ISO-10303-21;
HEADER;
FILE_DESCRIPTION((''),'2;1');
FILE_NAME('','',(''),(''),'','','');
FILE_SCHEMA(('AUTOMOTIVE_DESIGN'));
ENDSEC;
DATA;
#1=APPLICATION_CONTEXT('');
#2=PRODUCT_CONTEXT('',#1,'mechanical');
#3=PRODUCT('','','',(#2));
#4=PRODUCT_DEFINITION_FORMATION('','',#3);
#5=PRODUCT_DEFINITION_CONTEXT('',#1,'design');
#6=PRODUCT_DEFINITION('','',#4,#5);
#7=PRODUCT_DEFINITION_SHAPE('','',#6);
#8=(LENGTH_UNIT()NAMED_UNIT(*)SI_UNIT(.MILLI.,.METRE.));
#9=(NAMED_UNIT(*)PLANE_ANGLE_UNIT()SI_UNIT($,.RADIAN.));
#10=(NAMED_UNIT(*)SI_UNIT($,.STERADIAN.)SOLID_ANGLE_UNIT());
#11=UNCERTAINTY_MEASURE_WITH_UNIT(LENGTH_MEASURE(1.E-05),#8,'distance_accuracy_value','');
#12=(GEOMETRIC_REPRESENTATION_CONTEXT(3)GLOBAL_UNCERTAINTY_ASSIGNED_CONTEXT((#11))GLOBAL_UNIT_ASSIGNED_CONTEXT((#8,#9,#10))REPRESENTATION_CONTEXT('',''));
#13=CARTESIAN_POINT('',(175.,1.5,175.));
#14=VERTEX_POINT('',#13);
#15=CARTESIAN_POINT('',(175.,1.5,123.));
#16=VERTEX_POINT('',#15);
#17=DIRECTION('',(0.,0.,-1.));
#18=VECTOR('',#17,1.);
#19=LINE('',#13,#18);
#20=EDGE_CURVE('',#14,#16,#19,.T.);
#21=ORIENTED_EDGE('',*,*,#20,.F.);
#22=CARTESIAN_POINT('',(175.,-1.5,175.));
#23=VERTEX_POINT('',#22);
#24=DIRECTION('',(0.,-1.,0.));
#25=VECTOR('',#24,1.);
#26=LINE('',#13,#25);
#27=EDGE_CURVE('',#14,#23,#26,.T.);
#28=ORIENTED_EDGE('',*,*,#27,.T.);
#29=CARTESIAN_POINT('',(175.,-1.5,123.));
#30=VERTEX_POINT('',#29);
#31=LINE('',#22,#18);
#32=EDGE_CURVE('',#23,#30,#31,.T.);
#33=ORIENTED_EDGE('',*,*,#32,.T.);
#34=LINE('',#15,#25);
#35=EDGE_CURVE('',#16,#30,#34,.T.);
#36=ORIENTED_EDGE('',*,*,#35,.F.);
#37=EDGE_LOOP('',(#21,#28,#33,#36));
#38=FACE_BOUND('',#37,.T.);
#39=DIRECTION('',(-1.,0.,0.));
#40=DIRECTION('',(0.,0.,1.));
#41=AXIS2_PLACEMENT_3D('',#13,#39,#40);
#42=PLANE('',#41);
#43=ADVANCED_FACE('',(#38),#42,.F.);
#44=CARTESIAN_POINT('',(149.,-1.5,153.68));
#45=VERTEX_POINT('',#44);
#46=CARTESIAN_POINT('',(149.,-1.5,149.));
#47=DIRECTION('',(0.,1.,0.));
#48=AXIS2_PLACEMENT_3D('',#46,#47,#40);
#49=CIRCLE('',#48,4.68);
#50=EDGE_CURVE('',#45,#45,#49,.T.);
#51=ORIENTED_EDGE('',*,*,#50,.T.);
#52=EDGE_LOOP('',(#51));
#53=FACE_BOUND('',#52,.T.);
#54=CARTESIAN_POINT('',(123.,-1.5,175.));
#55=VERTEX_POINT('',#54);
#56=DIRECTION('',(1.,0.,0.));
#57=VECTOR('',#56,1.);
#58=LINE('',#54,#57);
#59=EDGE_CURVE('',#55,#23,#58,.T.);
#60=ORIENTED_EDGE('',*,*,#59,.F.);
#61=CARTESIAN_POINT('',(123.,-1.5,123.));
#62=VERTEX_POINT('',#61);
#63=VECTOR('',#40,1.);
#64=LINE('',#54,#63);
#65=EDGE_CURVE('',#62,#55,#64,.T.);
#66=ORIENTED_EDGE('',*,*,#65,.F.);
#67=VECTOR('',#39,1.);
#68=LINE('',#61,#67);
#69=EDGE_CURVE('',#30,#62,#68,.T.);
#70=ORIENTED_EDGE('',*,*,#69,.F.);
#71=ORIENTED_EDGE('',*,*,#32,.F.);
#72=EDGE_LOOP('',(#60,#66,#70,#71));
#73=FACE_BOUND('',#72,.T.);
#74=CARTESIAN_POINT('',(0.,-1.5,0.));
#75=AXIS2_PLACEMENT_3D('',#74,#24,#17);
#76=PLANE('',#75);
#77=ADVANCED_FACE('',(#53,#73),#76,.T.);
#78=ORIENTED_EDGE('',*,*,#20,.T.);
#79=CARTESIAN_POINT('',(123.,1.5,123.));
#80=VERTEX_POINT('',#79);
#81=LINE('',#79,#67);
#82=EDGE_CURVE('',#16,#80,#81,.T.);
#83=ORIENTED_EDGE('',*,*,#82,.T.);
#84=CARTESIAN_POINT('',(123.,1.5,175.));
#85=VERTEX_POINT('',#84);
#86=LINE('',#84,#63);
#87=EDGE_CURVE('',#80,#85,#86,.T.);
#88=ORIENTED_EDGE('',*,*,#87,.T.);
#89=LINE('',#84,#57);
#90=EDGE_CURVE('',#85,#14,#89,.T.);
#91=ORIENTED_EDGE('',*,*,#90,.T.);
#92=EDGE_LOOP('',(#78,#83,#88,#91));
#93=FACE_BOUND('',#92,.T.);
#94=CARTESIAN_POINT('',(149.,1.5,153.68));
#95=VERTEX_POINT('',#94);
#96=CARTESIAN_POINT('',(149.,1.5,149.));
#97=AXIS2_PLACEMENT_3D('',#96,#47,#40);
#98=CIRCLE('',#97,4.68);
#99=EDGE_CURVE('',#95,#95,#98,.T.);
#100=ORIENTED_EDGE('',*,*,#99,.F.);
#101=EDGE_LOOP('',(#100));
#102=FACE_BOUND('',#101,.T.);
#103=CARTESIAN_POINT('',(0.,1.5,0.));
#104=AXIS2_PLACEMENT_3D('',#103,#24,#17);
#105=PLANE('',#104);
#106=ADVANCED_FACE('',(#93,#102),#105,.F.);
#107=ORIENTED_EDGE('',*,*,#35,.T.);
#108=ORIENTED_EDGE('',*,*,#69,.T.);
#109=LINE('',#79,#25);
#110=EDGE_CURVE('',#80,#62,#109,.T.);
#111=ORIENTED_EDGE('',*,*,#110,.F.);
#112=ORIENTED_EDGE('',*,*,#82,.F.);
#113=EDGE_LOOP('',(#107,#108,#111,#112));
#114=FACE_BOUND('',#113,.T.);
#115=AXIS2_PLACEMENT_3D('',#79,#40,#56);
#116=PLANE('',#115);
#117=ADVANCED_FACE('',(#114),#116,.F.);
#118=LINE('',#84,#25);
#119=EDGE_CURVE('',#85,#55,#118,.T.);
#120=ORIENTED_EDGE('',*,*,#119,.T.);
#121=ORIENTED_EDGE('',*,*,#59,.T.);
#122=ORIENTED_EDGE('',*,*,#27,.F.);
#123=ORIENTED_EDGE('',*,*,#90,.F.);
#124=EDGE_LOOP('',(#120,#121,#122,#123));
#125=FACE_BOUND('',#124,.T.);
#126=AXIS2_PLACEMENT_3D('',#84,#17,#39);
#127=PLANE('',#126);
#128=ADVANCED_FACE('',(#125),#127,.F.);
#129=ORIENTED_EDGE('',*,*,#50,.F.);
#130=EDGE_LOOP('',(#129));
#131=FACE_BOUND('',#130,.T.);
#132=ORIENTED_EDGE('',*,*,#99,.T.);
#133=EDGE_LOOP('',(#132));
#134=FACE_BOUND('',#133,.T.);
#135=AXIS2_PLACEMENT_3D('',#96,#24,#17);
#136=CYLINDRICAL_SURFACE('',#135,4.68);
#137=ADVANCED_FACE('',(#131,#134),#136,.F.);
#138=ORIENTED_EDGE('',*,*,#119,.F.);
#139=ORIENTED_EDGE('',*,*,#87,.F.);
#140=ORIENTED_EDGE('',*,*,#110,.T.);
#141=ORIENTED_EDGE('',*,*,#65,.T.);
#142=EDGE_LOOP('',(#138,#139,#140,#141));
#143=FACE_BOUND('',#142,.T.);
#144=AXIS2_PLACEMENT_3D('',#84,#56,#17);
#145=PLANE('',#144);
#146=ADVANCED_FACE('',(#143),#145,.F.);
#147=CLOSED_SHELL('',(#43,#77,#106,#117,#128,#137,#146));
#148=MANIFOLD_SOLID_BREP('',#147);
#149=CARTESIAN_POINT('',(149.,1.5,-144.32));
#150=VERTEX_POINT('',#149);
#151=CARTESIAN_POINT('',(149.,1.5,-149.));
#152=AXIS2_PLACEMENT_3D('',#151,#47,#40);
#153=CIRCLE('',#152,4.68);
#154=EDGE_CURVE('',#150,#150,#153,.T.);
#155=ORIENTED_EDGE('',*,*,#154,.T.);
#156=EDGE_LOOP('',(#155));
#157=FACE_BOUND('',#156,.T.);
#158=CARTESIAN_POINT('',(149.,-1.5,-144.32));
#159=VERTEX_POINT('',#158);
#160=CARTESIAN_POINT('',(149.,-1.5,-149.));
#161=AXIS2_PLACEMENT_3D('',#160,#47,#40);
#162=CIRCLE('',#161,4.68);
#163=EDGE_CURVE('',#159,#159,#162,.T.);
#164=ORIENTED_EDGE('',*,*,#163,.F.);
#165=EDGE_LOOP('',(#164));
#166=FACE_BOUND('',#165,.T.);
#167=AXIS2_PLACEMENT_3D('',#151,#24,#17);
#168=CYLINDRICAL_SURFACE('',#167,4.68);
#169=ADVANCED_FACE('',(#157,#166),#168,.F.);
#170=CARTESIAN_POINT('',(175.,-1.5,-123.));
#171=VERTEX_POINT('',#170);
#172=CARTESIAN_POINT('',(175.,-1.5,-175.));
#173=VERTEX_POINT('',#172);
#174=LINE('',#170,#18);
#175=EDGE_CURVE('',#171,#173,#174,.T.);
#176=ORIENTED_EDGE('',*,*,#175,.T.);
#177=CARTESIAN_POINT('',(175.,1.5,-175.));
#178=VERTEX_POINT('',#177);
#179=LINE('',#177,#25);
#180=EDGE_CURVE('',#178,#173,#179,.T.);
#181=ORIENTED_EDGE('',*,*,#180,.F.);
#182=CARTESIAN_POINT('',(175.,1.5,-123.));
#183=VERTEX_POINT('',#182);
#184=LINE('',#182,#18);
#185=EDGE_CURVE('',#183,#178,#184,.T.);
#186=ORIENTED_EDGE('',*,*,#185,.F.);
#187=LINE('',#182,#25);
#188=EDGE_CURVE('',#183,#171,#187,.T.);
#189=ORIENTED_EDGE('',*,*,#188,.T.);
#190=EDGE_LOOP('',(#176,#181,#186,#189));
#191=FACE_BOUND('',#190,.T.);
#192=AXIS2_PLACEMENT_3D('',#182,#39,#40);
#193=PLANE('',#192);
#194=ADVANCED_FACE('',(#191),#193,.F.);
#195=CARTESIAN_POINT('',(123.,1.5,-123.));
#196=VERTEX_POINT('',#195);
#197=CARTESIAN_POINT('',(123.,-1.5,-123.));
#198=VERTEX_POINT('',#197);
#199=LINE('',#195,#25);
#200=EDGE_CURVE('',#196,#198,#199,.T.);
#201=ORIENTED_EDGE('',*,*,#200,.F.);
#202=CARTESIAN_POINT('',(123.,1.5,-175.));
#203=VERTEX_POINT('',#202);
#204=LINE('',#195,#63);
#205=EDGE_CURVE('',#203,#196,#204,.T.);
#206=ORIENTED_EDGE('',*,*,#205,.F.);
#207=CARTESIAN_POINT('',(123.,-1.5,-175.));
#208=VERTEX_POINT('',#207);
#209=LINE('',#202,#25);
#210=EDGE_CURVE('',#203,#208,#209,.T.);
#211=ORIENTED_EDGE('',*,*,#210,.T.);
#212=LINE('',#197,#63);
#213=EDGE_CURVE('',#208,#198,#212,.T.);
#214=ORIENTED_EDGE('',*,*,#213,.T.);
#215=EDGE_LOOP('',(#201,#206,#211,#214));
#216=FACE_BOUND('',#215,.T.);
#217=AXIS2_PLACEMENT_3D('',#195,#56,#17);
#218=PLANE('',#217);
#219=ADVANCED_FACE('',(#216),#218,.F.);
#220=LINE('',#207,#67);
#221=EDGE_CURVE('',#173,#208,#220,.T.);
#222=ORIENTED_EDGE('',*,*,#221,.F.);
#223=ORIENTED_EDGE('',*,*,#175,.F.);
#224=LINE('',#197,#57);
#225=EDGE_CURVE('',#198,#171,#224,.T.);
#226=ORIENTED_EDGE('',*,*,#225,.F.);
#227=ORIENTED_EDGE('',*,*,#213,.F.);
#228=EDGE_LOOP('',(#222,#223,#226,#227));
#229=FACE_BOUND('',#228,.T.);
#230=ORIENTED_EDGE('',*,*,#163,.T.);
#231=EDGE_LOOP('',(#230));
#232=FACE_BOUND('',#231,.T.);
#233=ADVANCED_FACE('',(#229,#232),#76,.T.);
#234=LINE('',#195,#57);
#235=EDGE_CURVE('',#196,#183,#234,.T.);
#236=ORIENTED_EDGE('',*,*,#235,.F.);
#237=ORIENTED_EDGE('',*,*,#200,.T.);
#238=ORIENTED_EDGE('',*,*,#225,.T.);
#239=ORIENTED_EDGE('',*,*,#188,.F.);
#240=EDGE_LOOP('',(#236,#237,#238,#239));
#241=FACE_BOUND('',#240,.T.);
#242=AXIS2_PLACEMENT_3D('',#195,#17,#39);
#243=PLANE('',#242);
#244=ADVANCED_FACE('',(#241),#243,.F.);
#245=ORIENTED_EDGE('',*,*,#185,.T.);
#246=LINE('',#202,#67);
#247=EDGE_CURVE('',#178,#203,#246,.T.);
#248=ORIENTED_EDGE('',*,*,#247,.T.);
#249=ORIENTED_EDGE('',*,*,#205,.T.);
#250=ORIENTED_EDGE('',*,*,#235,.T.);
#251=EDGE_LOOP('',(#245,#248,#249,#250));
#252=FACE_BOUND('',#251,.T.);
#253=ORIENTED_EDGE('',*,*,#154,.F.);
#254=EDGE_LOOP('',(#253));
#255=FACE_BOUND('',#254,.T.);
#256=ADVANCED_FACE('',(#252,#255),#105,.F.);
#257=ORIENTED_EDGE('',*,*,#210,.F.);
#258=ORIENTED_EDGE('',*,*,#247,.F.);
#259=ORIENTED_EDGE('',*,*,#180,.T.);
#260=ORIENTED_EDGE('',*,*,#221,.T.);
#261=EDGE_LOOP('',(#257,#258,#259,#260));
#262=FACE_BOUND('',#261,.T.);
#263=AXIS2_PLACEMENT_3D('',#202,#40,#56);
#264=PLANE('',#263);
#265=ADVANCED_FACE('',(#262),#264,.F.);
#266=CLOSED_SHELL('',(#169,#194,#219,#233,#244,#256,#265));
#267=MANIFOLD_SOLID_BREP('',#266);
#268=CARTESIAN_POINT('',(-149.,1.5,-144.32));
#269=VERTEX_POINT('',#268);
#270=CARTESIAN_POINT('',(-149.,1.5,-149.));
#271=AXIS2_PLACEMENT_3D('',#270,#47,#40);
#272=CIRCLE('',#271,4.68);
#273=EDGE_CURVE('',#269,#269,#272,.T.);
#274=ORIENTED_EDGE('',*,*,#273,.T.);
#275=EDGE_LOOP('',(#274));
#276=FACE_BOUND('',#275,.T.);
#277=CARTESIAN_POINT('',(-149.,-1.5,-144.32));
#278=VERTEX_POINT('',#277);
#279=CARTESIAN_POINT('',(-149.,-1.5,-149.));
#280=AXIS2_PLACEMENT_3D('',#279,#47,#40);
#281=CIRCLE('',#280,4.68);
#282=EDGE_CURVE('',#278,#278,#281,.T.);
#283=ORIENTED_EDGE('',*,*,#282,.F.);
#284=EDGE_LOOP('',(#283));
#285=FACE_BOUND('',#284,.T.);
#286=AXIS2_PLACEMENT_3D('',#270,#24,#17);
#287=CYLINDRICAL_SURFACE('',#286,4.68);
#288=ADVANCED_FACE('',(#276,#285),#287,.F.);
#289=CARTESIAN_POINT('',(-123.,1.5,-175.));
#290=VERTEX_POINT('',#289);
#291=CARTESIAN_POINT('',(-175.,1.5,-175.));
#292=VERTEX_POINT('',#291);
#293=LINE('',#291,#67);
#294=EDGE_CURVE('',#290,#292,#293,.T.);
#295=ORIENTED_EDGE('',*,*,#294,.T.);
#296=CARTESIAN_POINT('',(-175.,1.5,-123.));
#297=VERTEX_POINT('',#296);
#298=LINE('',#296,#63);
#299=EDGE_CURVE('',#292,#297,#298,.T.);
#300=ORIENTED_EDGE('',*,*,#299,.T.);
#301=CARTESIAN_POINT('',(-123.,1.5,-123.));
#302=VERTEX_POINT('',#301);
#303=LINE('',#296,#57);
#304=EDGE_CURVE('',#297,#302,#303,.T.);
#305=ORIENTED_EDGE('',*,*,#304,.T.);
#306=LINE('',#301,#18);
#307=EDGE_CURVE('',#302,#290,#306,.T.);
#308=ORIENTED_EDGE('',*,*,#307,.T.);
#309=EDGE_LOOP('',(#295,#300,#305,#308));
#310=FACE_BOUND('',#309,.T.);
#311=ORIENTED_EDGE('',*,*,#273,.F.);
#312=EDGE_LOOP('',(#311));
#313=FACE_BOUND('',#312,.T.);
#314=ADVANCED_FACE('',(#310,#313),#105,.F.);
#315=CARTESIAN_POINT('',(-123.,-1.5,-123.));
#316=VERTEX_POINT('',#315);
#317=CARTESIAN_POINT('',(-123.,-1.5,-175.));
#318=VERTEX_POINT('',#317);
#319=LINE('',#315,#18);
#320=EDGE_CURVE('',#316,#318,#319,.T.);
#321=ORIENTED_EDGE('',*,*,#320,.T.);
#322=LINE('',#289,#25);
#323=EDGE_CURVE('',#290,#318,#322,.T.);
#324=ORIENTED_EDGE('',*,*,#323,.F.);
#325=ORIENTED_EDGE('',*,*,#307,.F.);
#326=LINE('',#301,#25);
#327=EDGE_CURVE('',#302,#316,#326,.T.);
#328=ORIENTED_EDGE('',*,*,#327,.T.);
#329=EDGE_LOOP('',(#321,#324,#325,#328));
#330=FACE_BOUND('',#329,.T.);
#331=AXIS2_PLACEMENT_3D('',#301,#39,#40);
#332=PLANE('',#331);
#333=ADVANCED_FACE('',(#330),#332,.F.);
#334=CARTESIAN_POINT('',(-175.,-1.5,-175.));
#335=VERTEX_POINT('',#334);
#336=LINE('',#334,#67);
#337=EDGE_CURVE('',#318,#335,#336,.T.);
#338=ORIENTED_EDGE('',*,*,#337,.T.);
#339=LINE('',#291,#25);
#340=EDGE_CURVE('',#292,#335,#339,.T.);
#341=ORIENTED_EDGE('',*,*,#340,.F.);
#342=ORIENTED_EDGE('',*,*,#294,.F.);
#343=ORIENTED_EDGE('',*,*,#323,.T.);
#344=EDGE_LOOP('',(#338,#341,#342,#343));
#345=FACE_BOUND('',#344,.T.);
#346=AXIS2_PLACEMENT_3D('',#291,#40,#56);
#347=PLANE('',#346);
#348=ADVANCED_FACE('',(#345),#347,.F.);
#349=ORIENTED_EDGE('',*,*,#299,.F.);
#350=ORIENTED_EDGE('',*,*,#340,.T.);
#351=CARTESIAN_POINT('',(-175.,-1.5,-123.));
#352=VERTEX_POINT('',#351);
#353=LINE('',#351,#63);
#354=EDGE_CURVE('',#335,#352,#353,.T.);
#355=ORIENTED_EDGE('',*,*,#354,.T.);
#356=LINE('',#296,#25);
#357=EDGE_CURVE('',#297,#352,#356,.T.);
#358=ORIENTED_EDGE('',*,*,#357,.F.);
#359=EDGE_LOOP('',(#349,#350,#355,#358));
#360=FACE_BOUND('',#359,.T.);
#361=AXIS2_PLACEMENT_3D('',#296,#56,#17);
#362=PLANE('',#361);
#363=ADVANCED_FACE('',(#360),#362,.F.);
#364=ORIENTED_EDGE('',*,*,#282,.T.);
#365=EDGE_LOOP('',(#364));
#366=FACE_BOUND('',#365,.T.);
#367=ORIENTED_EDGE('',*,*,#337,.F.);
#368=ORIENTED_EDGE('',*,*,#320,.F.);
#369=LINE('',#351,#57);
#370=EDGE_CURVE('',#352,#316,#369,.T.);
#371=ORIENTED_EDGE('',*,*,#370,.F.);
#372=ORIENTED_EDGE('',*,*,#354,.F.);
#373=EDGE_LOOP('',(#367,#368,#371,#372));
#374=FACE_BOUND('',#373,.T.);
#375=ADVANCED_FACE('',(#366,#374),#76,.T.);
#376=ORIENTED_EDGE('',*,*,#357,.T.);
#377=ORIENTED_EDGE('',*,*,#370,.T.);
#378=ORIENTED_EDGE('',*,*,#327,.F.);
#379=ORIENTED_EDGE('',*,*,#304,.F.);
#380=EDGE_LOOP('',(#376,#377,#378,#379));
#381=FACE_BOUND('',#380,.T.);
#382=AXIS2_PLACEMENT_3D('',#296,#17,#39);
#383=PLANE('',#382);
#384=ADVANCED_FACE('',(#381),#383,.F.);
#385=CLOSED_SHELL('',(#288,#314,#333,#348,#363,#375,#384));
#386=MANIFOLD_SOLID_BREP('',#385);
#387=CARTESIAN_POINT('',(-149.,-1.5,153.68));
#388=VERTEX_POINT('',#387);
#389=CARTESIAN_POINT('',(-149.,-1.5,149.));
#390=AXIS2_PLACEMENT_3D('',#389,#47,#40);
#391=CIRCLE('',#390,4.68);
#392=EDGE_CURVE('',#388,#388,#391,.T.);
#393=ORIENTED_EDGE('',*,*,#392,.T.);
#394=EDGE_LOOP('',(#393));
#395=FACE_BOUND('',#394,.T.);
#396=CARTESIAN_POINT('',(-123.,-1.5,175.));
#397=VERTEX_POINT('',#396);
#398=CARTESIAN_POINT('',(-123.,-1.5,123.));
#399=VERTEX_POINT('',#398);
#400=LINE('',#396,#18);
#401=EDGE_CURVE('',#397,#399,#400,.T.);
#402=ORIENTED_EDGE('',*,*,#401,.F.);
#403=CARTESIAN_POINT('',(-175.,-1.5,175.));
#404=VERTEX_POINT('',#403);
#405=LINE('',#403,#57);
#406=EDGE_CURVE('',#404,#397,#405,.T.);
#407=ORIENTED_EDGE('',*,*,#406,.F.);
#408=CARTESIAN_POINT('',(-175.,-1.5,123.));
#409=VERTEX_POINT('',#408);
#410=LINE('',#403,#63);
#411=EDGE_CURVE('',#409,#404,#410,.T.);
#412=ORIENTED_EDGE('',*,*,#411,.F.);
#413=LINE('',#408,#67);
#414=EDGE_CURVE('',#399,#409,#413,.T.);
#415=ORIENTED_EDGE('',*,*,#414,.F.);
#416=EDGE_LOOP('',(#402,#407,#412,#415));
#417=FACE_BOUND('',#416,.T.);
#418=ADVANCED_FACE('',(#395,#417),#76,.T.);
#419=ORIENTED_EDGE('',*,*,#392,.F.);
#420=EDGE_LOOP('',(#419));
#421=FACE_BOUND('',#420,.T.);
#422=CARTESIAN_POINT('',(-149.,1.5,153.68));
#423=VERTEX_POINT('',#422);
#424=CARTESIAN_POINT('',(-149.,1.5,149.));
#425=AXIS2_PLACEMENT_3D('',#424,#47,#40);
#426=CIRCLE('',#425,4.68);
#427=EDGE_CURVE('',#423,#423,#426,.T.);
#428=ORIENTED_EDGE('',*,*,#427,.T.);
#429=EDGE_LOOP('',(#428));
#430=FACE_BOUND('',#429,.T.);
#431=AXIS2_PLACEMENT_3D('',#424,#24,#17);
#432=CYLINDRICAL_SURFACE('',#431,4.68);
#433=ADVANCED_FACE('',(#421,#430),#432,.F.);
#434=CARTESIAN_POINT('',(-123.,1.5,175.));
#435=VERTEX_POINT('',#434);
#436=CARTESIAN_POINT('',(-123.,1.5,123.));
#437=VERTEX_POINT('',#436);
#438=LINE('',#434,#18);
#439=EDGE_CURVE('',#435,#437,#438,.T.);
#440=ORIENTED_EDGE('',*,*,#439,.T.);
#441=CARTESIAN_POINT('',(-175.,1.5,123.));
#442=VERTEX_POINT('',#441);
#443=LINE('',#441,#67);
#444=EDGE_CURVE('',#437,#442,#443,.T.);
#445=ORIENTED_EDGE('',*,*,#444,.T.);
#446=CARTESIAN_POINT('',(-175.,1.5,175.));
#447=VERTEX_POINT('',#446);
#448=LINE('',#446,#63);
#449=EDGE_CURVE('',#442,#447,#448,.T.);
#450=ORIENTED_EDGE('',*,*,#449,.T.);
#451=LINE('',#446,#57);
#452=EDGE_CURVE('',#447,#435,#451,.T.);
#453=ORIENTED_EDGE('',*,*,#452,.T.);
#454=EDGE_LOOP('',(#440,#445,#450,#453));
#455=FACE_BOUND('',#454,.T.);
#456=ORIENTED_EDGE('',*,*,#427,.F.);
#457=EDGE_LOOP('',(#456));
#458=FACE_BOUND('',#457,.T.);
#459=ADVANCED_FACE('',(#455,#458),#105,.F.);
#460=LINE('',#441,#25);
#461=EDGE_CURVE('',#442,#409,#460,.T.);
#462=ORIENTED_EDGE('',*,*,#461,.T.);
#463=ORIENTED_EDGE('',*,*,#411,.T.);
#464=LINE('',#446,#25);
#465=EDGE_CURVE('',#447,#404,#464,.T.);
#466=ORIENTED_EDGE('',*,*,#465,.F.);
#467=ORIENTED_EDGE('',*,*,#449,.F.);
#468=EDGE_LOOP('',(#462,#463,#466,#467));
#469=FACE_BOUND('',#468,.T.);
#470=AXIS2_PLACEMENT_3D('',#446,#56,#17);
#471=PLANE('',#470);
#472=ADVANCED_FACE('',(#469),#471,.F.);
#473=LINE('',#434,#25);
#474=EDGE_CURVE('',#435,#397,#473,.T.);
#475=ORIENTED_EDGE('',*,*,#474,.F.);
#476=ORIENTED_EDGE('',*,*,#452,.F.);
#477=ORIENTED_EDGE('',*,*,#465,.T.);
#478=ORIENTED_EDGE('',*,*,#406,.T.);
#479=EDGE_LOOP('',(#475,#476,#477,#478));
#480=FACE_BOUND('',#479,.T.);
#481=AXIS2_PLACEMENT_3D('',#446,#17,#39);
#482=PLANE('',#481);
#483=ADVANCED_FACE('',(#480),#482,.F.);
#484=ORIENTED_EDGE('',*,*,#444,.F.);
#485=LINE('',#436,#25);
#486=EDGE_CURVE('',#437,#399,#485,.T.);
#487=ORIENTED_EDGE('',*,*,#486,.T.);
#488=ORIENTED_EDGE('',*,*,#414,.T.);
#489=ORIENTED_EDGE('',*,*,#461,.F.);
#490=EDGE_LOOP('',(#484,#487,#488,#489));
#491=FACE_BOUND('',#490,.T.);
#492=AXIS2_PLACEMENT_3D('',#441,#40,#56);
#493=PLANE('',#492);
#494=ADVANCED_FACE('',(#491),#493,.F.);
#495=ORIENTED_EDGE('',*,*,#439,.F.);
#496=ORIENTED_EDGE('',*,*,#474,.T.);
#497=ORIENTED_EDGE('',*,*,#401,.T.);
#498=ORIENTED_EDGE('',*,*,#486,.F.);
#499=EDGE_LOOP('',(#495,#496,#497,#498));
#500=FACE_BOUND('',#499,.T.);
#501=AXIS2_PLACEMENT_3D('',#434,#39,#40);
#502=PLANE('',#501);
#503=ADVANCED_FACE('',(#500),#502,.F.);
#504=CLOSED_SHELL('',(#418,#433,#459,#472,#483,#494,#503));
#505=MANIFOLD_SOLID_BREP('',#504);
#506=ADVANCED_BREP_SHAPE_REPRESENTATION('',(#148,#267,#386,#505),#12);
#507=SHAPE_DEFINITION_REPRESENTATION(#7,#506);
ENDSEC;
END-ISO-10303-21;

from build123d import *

# Parameters (mm, degrees)
SKETCH1_W                      = 52
SKETCH1_H                      = 52
SKETCH1_R                      = 4.68
BASE_PLATE_CORNER_TABS_DEPTH   = 1.5
BASE_PLATE_CORNER_TABS_2_DEPTH = 1.5
BASE_PLATE_CORNER_TABS_3_DEPTH = 1.5
BASE_PLATE_CORNER_TABS_4_DEPTH = 1.5


with BuildPart() as part:
    # Sketch1 → Base plate corner tabs (new, symmetric)
    with BuildSketch(Plane(origin=(0, 0, 0), x_dir=(1, 0, 0), z_dir=(0, 1, 0))):
        with Locations((149, 149)):
            Rectangle(SKETCH1_W, SKETCH1_H)
        with Locations(Location((149, 149, 0), (0, 0, 270))):
            Circle(SKETCH1_R, mode=Mode.SUBTRACT)
    extrude(amount=BASE_PLATE_CORNER_TABS_DEPTH, both=True)


with BuildPart() as body_2:
    # Sketch1 → Base plate corner tabs 2 (new, symmetric)
    with BuildSketch(Plane(origin=(0, 0, 0), x_dir=(1, 0, 0), z_dir=(0, 1, 0))):
        with Locations((-149, 149)):
            Rectangle(SKETCH1_W, SKETCH1_H)
        with Locations(Location((-149, 149, 0), (0, 0, 270))):
            Circle(SKETCH1_R, mode=Mode.SUBTRACT)
    extrude(amount=BASE_PLATE_CORNER_TABS_2_DEPTH, both=True)


with BuildPart() as body_3:
    # Sketch1 → Base plate corner tabs 3 (new, symmetric)
    with BuildSketch(Plane(origin=(0, 0, 0), x_dir=(1, 0, 0), z_dir=(0, 1, 0))):
        with Locations((149, -149)):
            Rectangle(SKETCH1_W, SKETCH1_H)
        with Locations(Location((149, -149, 0), (0, 0, 270))):
            Circle(SKETCH1_R, mode=Mode.SUBTRACT)
    extrude(amount=BASE_PLATE_CORNER_TABS_3_DEPTH, both=True)


with BuildPart() as body_4:
    # Sketch1 → Base plate corner tabs 4 (new, symmetric)
    with BuildSketch(Plane(origin=(0, 0, 0), x_dir=(1, 0, 0), z_dir=(0, 1, 0))):
        with Locations((-149, -149)):
            Rectangle(SKETCH1_W, SKETCH1_H)
        with Locations(Location((-149, -149, 0), (0, 0, 270))):
            Circle(SKETCH1_R, mode=Mode.SUBTRACT)
    extrude(amount=BASE_PLATE_CORNER_TABS_4_DEPTH, both=True)


solid = Compound([part.part, body_2.part, body_3.part, body_4.part])
